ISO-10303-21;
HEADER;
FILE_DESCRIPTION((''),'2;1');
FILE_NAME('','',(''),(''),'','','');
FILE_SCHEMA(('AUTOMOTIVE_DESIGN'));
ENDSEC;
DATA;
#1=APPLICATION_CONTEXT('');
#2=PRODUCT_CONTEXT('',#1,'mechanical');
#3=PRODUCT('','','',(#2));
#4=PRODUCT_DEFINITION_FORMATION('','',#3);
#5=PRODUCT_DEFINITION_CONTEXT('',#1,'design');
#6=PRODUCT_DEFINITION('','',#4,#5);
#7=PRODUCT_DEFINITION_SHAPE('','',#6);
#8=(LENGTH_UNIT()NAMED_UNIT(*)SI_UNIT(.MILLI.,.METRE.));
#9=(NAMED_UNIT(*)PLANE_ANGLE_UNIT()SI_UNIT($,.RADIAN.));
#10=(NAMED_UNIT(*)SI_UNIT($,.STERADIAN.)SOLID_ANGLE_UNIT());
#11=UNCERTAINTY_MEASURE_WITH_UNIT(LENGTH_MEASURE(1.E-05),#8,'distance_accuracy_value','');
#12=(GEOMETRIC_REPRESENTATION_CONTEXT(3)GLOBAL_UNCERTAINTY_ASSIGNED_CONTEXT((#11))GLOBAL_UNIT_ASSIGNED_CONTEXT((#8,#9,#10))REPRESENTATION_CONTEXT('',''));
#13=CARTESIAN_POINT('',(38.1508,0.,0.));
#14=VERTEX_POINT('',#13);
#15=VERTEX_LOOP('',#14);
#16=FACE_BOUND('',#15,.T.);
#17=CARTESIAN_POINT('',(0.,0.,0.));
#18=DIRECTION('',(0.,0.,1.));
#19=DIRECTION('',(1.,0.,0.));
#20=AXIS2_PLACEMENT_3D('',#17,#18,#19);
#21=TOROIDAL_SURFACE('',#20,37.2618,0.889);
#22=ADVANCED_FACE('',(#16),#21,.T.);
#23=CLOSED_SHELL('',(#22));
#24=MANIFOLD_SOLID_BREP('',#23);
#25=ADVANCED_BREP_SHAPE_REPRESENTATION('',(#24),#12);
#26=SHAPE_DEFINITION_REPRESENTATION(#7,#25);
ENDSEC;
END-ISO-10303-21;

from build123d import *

# Parameters (mm, degrees)
SKETCH1_R = 0.889


with BuildPart() as part:
    # Sketch1 → Revolve1 (revolve)
    with BuildSketch(Plane(origin=(0, 0, 0), x_dir=(0, -1, 0), z_dir=(1, 0, 0))):
        with Locations((37.2618, 0)):
            Circle(SKETCH1_R)
    revolve(axis=Axis((0, 0, 0.889), (0, 0, -1)))


solid = part.part
